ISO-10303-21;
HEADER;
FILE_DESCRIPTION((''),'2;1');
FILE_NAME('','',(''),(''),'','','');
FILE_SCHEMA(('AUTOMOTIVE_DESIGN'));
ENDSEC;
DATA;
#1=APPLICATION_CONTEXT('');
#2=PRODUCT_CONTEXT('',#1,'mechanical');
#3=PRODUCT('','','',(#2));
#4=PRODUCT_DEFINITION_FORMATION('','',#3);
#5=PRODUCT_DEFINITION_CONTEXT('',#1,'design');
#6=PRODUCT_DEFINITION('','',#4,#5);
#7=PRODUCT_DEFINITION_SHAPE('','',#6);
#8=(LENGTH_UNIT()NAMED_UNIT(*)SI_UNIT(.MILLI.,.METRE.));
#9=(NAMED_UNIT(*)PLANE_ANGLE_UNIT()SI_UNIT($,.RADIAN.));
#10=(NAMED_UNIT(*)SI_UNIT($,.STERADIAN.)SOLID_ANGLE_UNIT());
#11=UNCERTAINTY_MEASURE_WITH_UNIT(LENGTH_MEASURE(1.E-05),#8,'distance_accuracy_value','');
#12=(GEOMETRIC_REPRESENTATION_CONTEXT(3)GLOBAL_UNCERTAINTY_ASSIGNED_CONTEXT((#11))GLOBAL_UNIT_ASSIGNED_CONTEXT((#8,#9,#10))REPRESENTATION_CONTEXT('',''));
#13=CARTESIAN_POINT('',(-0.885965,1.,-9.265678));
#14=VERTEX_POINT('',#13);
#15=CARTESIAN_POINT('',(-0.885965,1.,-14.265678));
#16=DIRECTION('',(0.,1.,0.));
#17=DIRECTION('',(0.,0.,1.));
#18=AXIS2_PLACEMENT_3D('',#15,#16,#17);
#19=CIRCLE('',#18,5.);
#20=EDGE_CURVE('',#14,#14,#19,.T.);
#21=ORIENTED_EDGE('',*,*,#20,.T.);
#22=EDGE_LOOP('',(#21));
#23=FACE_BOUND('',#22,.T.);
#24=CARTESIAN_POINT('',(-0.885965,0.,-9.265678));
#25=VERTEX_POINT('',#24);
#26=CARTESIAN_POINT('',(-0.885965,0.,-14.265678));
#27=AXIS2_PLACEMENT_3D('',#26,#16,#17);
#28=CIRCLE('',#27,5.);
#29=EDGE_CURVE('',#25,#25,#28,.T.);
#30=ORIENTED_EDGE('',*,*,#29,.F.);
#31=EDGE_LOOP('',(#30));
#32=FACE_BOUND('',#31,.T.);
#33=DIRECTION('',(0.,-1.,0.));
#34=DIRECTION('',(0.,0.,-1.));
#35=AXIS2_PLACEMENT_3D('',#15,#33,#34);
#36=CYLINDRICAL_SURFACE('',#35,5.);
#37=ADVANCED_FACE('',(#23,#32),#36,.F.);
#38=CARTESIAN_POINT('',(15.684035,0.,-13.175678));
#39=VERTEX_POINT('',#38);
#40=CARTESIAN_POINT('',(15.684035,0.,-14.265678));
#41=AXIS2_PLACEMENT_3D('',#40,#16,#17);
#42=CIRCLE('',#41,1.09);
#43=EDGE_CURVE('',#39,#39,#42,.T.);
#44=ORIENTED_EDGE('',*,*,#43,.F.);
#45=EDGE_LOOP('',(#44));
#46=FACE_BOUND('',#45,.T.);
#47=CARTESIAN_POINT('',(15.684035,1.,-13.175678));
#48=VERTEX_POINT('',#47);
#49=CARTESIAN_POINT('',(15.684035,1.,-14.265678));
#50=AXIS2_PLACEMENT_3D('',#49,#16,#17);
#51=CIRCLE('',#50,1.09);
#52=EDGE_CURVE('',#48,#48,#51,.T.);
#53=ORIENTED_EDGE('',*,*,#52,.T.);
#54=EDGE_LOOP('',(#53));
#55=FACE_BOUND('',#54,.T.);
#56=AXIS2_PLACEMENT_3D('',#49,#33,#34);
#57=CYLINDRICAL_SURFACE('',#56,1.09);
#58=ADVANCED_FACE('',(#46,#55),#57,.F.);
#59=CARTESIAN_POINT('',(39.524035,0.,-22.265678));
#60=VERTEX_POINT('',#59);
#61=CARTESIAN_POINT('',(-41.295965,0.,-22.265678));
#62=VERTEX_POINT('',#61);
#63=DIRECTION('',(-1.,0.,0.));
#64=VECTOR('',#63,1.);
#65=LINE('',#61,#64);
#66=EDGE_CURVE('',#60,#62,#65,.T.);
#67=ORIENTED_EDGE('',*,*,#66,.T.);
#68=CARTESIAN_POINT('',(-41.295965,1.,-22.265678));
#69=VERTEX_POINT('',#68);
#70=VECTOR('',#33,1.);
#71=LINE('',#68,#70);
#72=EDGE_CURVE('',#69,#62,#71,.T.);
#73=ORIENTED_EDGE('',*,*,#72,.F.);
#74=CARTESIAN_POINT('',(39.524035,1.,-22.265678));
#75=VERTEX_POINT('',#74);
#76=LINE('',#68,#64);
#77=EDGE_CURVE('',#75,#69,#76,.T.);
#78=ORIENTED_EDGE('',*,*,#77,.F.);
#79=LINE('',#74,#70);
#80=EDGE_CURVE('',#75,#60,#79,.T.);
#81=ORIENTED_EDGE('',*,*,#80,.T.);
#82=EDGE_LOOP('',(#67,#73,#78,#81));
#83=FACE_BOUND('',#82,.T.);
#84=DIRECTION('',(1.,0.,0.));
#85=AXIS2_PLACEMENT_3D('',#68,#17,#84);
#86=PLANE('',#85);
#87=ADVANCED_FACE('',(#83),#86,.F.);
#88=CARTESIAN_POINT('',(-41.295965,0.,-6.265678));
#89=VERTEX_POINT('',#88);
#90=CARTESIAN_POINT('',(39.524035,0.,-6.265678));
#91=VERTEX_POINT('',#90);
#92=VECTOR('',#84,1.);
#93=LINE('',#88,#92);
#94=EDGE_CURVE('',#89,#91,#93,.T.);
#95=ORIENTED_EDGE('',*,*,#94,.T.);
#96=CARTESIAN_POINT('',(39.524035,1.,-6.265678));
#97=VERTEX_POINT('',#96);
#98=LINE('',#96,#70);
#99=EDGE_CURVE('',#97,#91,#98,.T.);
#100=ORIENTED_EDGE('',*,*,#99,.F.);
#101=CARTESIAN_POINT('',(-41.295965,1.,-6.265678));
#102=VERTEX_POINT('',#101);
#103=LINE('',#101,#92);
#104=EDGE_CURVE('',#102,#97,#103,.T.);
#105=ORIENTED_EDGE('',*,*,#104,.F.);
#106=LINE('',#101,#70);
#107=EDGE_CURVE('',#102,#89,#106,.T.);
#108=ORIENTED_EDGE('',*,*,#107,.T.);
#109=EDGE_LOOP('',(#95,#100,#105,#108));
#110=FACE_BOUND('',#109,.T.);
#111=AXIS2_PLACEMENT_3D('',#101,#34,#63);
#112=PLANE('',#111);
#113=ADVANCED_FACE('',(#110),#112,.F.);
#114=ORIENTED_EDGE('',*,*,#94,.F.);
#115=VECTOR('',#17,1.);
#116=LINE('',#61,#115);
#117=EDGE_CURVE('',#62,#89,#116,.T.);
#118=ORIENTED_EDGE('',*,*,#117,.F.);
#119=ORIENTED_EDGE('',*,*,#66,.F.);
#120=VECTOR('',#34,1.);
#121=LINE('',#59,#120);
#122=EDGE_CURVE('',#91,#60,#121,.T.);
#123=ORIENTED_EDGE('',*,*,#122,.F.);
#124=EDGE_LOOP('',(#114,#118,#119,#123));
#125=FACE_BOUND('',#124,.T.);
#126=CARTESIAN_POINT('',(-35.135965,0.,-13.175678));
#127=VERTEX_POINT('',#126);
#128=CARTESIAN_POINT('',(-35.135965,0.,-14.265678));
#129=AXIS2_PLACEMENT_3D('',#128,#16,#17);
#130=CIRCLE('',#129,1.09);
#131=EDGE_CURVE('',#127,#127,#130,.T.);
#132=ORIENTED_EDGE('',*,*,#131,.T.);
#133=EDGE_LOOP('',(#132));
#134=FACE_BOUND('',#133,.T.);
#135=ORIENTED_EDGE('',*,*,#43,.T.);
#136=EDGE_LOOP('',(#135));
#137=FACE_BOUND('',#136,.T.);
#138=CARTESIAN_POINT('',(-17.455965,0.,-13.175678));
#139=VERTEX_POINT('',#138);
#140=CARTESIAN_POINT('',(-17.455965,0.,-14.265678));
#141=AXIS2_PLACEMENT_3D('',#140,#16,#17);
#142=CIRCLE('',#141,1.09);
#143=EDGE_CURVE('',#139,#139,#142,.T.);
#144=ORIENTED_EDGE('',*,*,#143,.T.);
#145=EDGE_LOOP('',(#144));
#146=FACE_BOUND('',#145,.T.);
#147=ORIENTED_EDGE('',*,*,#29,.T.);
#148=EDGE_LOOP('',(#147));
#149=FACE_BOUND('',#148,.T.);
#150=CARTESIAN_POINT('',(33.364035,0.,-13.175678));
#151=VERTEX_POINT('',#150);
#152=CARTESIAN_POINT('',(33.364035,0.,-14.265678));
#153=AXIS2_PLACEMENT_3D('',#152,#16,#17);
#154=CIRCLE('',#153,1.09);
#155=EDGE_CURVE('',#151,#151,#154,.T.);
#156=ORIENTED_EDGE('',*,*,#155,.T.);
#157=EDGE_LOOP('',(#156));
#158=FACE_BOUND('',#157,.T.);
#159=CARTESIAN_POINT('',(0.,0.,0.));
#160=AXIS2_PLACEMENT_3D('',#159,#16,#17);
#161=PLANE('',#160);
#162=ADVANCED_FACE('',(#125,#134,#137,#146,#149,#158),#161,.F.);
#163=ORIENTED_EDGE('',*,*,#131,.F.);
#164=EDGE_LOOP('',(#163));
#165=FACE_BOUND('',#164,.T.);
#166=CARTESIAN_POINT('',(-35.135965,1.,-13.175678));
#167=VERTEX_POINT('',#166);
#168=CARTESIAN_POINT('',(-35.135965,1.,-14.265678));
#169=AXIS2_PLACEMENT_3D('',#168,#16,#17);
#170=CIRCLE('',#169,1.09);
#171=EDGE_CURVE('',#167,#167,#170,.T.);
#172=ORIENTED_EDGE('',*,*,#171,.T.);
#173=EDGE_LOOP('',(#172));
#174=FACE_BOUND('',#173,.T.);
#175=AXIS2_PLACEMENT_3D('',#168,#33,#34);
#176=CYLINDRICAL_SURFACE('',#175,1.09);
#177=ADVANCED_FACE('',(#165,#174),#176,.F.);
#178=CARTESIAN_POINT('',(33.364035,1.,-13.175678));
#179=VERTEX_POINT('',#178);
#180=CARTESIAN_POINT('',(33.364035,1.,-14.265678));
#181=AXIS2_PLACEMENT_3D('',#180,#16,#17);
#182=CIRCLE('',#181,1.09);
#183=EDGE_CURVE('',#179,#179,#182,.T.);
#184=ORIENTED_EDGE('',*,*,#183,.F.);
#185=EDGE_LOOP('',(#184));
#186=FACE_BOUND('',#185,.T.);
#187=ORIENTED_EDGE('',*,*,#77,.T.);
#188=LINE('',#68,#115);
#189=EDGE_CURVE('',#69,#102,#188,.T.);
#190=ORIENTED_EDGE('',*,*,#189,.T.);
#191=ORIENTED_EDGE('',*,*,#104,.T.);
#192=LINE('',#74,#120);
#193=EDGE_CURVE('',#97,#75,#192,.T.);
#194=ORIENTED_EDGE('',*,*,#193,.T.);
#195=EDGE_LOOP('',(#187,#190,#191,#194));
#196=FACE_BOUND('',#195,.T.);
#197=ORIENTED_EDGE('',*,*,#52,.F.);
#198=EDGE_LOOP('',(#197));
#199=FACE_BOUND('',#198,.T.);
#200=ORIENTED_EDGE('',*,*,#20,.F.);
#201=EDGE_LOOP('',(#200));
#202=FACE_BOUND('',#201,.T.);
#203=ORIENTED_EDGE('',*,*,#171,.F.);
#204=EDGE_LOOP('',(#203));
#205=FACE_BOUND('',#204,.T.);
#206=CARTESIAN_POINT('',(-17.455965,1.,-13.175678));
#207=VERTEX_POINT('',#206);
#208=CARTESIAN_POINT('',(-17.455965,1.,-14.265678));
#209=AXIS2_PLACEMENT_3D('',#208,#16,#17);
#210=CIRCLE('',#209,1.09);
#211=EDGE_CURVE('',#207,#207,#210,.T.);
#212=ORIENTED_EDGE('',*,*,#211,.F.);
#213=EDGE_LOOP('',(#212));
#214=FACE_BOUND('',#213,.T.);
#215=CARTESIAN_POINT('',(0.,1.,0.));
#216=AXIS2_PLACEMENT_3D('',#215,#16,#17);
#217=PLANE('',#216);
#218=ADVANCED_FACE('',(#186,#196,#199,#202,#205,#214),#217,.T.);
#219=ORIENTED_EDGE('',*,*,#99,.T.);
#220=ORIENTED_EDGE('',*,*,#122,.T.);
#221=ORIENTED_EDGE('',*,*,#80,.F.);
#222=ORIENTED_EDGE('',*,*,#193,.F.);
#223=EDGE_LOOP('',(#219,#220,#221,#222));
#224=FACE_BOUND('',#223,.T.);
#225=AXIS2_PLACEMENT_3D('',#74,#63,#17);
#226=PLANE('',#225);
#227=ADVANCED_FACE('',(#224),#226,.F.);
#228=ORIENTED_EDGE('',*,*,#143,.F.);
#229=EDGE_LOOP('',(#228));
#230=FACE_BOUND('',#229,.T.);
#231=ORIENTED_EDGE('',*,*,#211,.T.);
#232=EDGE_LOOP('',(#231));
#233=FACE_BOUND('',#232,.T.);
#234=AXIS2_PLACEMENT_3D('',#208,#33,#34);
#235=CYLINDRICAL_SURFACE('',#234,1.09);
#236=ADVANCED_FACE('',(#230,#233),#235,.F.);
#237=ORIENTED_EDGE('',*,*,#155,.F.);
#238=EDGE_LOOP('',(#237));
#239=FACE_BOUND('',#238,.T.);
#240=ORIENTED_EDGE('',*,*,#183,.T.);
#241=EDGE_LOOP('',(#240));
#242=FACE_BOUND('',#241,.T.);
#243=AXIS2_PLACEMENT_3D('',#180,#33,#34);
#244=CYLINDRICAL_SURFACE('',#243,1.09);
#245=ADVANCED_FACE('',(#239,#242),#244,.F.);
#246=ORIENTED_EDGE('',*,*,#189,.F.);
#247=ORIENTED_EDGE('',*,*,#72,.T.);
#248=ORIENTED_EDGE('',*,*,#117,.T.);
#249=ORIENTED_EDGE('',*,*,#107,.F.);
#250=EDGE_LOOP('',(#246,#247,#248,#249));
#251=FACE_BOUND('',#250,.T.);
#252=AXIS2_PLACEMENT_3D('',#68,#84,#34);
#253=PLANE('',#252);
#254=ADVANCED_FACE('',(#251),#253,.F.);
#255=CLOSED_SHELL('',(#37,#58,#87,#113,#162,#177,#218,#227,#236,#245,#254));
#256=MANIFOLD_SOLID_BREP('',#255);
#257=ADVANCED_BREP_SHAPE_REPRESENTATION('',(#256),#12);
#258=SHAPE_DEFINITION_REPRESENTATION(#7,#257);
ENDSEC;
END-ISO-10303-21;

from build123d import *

# Parameters (mm, degrees)
SKETCH1_W           = 80.82
SKETCH1_H           = 16
SKETCH1_R           = 1.09
SKETCH1_R_2         = 5
BOSS_EXTRUDE1_DEPTH = 1


with BuildPart() as part:
    # Sketch1 → Boss-Extrude1 (new body)
    with BuildSketch(Plane(origin=(0, 0, 0), x_dir=(1, 0, 0), z_dir=(0, 1, 0))):
        with Locations((-0.885965444, 14.265677522)):
            Rectangle(SKETCH1_W, SKETCH1_H)
        with Locations((-35.135965444, 14.265677522)):
            Circle(SKETCH1_R, mode=Mode.SUBTRACT)
        with Locations((33.364034556, 14.265677522)):
            Circle(SKETCH1_R, mode=Mode.SUBTRACT)
        with Locations((-17.455965444, 14.265677522)):
            Circle(SKETCH1_R, mode=Mode.SUBTRACT)
        with Locations((15.684034556, 14.265677522)):
            Circle(SKETCH1_R, mode=Mode.SUBTRACT)
        with Locations((-0.885965444, 14.265677522)):
            Circle(SKETCH1_R_2, mode=Mode.SUBTRACT)
    extrude(amount=BOSS_EXTRUDE1_DEPTH)


solid = part.part
